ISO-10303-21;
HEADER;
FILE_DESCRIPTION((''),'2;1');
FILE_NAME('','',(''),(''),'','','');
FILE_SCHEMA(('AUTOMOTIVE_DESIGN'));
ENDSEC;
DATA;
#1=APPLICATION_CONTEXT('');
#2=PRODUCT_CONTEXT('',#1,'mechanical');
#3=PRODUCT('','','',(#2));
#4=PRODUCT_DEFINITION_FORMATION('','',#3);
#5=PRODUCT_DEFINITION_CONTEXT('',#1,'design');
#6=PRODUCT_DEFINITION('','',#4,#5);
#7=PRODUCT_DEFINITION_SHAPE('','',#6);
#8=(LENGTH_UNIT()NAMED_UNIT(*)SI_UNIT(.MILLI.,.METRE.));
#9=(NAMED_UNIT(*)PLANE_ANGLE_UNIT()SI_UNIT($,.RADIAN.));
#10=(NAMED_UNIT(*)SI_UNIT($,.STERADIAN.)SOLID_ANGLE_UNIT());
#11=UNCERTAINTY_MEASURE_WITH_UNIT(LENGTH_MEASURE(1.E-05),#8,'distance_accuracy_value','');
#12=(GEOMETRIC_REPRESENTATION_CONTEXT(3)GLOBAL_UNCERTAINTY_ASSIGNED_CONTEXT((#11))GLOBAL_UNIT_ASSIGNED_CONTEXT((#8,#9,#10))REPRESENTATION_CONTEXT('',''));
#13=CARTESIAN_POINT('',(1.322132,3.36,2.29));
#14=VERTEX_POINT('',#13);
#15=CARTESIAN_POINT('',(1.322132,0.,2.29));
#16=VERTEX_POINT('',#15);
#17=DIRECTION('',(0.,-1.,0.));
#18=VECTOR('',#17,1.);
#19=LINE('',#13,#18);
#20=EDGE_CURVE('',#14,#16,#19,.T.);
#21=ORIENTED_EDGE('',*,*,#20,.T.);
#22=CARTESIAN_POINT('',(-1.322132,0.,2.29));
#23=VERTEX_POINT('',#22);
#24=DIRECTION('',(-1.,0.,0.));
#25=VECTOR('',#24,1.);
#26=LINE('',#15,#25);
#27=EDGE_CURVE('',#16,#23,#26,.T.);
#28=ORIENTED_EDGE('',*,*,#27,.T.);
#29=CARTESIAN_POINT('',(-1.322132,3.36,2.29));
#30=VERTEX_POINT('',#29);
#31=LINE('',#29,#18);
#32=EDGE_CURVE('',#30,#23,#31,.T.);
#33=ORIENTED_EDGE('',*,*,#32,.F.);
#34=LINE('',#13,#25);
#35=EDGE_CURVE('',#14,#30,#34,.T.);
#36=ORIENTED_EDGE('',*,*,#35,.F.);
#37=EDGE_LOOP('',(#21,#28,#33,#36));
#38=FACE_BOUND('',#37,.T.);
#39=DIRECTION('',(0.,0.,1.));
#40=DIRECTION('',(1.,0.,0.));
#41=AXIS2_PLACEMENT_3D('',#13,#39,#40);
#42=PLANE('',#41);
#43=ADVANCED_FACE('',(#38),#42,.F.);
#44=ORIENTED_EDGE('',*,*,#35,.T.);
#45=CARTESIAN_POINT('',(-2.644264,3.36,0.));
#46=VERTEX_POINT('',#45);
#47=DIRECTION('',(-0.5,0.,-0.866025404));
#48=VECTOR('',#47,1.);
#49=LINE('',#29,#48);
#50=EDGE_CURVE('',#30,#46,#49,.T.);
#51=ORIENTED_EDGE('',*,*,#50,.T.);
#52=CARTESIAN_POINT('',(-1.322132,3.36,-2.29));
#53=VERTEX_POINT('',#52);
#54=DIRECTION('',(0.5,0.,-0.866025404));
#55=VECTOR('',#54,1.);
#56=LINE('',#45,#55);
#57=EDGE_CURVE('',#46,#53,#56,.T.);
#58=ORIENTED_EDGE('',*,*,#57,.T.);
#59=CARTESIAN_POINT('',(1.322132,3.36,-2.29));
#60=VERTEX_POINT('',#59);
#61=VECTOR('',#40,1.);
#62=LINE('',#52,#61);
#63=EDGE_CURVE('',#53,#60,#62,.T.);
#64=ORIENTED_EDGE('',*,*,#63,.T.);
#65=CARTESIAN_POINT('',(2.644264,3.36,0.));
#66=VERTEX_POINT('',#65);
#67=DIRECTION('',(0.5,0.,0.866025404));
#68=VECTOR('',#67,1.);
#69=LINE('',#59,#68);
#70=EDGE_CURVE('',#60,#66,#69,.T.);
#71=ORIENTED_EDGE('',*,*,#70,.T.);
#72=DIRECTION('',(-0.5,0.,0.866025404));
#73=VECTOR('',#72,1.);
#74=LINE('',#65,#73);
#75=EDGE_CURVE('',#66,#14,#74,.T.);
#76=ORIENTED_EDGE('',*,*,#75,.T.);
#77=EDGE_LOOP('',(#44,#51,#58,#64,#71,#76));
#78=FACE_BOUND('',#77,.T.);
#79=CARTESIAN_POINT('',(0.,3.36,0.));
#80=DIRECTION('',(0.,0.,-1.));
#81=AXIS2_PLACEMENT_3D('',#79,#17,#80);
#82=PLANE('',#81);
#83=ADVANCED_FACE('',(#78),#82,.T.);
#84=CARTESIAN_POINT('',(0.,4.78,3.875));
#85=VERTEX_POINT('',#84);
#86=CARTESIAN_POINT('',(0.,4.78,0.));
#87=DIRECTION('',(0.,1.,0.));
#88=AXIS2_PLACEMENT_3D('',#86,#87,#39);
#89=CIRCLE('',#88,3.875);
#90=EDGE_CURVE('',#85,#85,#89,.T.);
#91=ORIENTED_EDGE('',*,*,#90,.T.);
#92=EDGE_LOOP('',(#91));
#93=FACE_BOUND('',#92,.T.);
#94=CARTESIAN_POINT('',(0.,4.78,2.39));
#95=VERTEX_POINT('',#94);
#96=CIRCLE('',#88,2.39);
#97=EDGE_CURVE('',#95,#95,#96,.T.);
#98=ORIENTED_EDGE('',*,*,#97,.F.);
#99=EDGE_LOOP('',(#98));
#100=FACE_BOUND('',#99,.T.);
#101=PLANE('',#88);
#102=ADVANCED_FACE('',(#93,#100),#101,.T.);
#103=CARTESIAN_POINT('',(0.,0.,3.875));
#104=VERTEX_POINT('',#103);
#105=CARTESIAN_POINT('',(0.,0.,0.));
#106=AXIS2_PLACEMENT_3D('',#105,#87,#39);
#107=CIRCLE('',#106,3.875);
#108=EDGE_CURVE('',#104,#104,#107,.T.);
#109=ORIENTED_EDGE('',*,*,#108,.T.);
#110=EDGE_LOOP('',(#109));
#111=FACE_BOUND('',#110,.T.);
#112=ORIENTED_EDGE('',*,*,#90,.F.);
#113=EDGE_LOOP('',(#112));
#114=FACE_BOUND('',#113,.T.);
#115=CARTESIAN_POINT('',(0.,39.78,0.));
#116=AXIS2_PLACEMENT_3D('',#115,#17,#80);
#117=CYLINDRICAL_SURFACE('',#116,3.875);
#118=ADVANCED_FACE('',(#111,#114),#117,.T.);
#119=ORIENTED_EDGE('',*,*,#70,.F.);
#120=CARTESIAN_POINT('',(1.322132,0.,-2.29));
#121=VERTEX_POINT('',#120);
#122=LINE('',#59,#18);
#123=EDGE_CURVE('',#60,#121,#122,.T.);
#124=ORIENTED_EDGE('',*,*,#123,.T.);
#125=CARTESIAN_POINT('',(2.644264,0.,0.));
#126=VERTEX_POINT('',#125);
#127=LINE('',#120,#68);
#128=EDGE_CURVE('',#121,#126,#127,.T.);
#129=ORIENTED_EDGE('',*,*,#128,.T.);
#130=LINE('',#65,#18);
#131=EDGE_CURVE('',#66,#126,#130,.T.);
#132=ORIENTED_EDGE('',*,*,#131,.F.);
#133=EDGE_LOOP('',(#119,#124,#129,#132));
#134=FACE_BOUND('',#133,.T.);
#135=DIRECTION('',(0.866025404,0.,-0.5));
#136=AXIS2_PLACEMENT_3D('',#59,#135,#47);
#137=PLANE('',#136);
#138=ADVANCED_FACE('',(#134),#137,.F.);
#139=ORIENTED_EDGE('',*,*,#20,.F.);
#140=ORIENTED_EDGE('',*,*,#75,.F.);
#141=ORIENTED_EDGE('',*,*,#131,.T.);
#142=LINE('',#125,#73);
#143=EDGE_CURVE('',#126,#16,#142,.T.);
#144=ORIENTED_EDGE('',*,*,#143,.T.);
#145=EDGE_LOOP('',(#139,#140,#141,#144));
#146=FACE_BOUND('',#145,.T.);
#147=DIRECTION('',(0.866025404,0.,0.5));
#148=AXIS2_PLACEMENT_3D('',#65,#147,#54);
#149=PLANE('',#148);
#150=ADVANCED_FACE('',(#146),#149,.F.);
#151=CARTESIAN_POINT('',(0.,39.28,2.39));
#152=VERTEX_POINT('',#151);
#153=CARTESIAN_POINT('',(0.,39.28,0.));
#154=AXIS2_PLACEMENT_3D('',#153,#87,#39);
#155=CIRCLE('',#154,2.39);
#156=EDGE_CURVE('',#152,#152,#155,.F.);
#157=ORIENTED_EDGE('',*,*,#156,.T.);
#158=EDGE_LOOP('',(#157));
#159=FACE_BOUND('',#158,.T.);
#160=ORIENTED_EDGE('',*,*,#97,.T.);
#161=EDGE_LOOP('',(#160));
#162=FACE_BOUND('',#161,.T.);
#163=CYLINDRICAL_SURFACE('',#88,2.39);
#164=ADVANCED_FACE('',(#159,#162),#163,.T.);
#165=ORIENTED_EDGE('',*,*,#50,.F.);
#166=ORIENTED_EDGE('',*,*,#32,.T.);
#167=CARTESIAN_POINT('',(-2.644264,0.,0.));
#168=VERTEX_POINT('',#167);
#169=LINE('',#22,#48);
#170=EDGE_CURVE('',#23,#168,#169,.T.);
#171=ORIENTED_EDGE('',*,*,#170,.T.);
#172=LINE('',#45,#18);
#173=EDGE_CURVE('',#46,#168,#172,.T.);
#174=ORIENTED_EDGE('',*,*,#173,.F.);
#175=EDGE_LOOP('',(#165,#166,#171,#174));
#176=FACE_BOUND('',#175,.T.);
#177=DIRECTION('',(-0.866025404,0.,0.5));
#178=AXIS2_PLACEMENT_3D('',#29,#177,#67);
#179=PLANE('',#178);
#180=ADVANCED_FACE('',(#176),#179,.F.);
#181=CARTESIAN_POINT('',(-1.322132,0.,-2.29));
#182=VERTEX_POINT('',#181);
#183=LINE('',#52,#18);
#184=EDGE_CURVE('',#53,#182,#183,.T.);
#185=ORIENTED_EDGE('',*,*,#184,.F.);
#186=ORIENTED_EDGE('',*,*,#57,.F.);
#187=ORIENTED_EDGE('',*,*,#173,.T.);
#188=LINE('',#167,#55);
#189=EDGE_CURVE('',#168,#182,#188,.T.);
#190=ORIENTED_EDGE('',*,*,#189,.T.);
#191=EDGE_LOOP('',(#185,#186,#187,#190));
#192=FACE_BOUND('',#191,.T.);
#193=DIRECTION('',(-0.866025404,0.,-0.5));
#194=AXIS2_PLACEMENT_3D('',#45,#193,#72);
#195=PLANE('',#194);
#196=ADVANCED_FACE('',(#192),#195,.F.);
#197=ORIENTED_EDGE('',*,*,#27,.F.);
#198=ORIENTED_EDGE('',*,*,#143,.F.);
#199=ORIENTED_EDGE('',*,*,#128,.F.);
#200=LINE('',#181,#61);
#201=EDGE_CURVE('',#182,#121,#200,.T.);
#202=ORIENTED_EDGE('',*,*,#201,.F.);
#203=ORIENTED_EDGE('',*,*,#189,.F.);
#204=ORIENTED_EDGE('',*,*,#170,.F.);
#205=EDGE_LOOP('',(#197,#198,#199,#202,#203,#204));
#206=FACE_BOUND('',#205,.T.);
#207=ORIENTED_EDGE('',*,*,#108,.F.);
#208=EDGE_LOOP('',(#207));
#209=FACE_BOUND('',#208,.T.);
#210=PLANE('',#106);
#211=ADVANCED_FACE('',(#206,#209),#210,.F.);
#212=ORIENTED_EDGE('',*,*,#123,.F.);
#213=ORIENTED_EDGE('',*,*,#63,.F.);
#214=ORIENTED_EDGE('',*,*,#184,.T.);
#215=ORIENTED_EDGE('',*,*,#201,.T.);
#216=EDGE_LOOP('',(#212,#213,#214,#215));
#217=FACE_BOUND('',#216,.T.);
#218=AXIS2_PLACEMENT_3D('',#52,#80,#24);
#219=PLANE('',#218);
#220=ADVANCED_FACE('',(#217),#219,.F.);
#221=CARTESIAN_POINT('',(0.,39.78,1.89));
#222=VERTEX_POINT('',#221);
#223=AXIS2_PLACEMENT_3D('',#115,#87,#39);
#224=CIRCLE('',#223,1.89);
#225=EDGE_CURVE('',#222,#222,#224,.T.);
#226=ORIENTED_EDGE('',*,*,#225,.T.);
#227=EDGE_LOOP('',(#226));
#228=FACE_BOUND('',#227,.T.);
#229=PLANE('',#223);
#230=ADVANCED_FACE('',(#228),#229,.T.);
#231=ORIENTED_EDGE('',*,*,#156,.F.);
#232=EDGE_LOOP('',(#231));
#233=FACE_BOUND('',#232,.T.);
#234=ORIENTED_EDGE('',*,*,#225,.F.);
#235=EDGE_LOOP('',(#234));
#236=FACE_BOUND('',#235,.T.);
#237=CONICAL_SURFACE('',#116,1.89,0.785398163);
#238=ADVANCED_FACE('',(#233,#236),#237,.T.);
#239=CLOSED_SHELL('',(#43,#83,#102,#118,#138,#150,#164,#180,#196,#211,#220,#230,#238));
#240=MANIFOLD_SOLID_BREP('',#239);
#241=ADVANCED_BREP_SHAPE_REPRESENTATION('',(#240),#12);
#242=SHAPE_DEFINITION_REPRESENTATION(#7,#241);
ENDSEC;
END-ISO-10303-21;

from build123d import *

# Parameters (mm, degrees)
SKETCH1_R           = 3.875
BOSS_EXTRUDE1_DEPTH = 39.78
SKETCH2_OUTSIDE_W   = 18.002
SKETCH2_OUTSIDE_H   = 18.002
SKETCH2_OUTSIDE_R   = 2.39
CUT_EXTRUDE1_DEPTH  = 35
CHAMFER1_SIZE       = 0.5
CUT_EXTRUDE2_DEPTH  = 3.36


with BuildPart() as part:
    # Sketch1 → Boss-Extrude1 (new body)
    with BuildSketch(Plane(origin=(0, 0, 0), x_dir=(1, 0, 0), z_dir=(0, 1, 0))):
        Circle(SKETCH1_R)
    extrude(amount=BOSS_EXTRUDE1_DEPTH)

    # Sketch2 outside → Cut-Extrude1 (cut)
    with BuildSketch(Plane(origin=(0, 39.78, 0), x_dir=(1, 0, 0), z_dir=(0, 1, 0))):
        Rectangle(SKETCH2_OUTSIDE_W, SKETCH2_OUTSIDE_H)
        Circle(SKETCH2_OUTSIDE_R, mode=Mode.SUBTRACT)
    extrude(amount=-CUT_EXTRUDE1_DEPTH, mode=Mode.SUBTRACT)

    # Chamfer1
    chamfer1_edges = [part.edges().sort_by_distance(p)[0] for p in [
        (-2.39, 39.78, 0),
    ]]
    chamfer(chamfer1_edges, length=CHAMFER1_SIZE)

    # Sketch8 → Cut-Extrude2 (cut)
    with BuildSketch(Plane.XZ):
        Polygon((2.644264233, 0), (1.322132116, 2.29), (-1.322132116, 2.29), (-2.644264233, 0), (-1.322132116, -2.29), (1.322132116, -2.29), align=None)
    extrude(amount=-CUT_EXTRUDE2_DEPTH, mode=Mode.SUBTRACT)


solid = part.part
